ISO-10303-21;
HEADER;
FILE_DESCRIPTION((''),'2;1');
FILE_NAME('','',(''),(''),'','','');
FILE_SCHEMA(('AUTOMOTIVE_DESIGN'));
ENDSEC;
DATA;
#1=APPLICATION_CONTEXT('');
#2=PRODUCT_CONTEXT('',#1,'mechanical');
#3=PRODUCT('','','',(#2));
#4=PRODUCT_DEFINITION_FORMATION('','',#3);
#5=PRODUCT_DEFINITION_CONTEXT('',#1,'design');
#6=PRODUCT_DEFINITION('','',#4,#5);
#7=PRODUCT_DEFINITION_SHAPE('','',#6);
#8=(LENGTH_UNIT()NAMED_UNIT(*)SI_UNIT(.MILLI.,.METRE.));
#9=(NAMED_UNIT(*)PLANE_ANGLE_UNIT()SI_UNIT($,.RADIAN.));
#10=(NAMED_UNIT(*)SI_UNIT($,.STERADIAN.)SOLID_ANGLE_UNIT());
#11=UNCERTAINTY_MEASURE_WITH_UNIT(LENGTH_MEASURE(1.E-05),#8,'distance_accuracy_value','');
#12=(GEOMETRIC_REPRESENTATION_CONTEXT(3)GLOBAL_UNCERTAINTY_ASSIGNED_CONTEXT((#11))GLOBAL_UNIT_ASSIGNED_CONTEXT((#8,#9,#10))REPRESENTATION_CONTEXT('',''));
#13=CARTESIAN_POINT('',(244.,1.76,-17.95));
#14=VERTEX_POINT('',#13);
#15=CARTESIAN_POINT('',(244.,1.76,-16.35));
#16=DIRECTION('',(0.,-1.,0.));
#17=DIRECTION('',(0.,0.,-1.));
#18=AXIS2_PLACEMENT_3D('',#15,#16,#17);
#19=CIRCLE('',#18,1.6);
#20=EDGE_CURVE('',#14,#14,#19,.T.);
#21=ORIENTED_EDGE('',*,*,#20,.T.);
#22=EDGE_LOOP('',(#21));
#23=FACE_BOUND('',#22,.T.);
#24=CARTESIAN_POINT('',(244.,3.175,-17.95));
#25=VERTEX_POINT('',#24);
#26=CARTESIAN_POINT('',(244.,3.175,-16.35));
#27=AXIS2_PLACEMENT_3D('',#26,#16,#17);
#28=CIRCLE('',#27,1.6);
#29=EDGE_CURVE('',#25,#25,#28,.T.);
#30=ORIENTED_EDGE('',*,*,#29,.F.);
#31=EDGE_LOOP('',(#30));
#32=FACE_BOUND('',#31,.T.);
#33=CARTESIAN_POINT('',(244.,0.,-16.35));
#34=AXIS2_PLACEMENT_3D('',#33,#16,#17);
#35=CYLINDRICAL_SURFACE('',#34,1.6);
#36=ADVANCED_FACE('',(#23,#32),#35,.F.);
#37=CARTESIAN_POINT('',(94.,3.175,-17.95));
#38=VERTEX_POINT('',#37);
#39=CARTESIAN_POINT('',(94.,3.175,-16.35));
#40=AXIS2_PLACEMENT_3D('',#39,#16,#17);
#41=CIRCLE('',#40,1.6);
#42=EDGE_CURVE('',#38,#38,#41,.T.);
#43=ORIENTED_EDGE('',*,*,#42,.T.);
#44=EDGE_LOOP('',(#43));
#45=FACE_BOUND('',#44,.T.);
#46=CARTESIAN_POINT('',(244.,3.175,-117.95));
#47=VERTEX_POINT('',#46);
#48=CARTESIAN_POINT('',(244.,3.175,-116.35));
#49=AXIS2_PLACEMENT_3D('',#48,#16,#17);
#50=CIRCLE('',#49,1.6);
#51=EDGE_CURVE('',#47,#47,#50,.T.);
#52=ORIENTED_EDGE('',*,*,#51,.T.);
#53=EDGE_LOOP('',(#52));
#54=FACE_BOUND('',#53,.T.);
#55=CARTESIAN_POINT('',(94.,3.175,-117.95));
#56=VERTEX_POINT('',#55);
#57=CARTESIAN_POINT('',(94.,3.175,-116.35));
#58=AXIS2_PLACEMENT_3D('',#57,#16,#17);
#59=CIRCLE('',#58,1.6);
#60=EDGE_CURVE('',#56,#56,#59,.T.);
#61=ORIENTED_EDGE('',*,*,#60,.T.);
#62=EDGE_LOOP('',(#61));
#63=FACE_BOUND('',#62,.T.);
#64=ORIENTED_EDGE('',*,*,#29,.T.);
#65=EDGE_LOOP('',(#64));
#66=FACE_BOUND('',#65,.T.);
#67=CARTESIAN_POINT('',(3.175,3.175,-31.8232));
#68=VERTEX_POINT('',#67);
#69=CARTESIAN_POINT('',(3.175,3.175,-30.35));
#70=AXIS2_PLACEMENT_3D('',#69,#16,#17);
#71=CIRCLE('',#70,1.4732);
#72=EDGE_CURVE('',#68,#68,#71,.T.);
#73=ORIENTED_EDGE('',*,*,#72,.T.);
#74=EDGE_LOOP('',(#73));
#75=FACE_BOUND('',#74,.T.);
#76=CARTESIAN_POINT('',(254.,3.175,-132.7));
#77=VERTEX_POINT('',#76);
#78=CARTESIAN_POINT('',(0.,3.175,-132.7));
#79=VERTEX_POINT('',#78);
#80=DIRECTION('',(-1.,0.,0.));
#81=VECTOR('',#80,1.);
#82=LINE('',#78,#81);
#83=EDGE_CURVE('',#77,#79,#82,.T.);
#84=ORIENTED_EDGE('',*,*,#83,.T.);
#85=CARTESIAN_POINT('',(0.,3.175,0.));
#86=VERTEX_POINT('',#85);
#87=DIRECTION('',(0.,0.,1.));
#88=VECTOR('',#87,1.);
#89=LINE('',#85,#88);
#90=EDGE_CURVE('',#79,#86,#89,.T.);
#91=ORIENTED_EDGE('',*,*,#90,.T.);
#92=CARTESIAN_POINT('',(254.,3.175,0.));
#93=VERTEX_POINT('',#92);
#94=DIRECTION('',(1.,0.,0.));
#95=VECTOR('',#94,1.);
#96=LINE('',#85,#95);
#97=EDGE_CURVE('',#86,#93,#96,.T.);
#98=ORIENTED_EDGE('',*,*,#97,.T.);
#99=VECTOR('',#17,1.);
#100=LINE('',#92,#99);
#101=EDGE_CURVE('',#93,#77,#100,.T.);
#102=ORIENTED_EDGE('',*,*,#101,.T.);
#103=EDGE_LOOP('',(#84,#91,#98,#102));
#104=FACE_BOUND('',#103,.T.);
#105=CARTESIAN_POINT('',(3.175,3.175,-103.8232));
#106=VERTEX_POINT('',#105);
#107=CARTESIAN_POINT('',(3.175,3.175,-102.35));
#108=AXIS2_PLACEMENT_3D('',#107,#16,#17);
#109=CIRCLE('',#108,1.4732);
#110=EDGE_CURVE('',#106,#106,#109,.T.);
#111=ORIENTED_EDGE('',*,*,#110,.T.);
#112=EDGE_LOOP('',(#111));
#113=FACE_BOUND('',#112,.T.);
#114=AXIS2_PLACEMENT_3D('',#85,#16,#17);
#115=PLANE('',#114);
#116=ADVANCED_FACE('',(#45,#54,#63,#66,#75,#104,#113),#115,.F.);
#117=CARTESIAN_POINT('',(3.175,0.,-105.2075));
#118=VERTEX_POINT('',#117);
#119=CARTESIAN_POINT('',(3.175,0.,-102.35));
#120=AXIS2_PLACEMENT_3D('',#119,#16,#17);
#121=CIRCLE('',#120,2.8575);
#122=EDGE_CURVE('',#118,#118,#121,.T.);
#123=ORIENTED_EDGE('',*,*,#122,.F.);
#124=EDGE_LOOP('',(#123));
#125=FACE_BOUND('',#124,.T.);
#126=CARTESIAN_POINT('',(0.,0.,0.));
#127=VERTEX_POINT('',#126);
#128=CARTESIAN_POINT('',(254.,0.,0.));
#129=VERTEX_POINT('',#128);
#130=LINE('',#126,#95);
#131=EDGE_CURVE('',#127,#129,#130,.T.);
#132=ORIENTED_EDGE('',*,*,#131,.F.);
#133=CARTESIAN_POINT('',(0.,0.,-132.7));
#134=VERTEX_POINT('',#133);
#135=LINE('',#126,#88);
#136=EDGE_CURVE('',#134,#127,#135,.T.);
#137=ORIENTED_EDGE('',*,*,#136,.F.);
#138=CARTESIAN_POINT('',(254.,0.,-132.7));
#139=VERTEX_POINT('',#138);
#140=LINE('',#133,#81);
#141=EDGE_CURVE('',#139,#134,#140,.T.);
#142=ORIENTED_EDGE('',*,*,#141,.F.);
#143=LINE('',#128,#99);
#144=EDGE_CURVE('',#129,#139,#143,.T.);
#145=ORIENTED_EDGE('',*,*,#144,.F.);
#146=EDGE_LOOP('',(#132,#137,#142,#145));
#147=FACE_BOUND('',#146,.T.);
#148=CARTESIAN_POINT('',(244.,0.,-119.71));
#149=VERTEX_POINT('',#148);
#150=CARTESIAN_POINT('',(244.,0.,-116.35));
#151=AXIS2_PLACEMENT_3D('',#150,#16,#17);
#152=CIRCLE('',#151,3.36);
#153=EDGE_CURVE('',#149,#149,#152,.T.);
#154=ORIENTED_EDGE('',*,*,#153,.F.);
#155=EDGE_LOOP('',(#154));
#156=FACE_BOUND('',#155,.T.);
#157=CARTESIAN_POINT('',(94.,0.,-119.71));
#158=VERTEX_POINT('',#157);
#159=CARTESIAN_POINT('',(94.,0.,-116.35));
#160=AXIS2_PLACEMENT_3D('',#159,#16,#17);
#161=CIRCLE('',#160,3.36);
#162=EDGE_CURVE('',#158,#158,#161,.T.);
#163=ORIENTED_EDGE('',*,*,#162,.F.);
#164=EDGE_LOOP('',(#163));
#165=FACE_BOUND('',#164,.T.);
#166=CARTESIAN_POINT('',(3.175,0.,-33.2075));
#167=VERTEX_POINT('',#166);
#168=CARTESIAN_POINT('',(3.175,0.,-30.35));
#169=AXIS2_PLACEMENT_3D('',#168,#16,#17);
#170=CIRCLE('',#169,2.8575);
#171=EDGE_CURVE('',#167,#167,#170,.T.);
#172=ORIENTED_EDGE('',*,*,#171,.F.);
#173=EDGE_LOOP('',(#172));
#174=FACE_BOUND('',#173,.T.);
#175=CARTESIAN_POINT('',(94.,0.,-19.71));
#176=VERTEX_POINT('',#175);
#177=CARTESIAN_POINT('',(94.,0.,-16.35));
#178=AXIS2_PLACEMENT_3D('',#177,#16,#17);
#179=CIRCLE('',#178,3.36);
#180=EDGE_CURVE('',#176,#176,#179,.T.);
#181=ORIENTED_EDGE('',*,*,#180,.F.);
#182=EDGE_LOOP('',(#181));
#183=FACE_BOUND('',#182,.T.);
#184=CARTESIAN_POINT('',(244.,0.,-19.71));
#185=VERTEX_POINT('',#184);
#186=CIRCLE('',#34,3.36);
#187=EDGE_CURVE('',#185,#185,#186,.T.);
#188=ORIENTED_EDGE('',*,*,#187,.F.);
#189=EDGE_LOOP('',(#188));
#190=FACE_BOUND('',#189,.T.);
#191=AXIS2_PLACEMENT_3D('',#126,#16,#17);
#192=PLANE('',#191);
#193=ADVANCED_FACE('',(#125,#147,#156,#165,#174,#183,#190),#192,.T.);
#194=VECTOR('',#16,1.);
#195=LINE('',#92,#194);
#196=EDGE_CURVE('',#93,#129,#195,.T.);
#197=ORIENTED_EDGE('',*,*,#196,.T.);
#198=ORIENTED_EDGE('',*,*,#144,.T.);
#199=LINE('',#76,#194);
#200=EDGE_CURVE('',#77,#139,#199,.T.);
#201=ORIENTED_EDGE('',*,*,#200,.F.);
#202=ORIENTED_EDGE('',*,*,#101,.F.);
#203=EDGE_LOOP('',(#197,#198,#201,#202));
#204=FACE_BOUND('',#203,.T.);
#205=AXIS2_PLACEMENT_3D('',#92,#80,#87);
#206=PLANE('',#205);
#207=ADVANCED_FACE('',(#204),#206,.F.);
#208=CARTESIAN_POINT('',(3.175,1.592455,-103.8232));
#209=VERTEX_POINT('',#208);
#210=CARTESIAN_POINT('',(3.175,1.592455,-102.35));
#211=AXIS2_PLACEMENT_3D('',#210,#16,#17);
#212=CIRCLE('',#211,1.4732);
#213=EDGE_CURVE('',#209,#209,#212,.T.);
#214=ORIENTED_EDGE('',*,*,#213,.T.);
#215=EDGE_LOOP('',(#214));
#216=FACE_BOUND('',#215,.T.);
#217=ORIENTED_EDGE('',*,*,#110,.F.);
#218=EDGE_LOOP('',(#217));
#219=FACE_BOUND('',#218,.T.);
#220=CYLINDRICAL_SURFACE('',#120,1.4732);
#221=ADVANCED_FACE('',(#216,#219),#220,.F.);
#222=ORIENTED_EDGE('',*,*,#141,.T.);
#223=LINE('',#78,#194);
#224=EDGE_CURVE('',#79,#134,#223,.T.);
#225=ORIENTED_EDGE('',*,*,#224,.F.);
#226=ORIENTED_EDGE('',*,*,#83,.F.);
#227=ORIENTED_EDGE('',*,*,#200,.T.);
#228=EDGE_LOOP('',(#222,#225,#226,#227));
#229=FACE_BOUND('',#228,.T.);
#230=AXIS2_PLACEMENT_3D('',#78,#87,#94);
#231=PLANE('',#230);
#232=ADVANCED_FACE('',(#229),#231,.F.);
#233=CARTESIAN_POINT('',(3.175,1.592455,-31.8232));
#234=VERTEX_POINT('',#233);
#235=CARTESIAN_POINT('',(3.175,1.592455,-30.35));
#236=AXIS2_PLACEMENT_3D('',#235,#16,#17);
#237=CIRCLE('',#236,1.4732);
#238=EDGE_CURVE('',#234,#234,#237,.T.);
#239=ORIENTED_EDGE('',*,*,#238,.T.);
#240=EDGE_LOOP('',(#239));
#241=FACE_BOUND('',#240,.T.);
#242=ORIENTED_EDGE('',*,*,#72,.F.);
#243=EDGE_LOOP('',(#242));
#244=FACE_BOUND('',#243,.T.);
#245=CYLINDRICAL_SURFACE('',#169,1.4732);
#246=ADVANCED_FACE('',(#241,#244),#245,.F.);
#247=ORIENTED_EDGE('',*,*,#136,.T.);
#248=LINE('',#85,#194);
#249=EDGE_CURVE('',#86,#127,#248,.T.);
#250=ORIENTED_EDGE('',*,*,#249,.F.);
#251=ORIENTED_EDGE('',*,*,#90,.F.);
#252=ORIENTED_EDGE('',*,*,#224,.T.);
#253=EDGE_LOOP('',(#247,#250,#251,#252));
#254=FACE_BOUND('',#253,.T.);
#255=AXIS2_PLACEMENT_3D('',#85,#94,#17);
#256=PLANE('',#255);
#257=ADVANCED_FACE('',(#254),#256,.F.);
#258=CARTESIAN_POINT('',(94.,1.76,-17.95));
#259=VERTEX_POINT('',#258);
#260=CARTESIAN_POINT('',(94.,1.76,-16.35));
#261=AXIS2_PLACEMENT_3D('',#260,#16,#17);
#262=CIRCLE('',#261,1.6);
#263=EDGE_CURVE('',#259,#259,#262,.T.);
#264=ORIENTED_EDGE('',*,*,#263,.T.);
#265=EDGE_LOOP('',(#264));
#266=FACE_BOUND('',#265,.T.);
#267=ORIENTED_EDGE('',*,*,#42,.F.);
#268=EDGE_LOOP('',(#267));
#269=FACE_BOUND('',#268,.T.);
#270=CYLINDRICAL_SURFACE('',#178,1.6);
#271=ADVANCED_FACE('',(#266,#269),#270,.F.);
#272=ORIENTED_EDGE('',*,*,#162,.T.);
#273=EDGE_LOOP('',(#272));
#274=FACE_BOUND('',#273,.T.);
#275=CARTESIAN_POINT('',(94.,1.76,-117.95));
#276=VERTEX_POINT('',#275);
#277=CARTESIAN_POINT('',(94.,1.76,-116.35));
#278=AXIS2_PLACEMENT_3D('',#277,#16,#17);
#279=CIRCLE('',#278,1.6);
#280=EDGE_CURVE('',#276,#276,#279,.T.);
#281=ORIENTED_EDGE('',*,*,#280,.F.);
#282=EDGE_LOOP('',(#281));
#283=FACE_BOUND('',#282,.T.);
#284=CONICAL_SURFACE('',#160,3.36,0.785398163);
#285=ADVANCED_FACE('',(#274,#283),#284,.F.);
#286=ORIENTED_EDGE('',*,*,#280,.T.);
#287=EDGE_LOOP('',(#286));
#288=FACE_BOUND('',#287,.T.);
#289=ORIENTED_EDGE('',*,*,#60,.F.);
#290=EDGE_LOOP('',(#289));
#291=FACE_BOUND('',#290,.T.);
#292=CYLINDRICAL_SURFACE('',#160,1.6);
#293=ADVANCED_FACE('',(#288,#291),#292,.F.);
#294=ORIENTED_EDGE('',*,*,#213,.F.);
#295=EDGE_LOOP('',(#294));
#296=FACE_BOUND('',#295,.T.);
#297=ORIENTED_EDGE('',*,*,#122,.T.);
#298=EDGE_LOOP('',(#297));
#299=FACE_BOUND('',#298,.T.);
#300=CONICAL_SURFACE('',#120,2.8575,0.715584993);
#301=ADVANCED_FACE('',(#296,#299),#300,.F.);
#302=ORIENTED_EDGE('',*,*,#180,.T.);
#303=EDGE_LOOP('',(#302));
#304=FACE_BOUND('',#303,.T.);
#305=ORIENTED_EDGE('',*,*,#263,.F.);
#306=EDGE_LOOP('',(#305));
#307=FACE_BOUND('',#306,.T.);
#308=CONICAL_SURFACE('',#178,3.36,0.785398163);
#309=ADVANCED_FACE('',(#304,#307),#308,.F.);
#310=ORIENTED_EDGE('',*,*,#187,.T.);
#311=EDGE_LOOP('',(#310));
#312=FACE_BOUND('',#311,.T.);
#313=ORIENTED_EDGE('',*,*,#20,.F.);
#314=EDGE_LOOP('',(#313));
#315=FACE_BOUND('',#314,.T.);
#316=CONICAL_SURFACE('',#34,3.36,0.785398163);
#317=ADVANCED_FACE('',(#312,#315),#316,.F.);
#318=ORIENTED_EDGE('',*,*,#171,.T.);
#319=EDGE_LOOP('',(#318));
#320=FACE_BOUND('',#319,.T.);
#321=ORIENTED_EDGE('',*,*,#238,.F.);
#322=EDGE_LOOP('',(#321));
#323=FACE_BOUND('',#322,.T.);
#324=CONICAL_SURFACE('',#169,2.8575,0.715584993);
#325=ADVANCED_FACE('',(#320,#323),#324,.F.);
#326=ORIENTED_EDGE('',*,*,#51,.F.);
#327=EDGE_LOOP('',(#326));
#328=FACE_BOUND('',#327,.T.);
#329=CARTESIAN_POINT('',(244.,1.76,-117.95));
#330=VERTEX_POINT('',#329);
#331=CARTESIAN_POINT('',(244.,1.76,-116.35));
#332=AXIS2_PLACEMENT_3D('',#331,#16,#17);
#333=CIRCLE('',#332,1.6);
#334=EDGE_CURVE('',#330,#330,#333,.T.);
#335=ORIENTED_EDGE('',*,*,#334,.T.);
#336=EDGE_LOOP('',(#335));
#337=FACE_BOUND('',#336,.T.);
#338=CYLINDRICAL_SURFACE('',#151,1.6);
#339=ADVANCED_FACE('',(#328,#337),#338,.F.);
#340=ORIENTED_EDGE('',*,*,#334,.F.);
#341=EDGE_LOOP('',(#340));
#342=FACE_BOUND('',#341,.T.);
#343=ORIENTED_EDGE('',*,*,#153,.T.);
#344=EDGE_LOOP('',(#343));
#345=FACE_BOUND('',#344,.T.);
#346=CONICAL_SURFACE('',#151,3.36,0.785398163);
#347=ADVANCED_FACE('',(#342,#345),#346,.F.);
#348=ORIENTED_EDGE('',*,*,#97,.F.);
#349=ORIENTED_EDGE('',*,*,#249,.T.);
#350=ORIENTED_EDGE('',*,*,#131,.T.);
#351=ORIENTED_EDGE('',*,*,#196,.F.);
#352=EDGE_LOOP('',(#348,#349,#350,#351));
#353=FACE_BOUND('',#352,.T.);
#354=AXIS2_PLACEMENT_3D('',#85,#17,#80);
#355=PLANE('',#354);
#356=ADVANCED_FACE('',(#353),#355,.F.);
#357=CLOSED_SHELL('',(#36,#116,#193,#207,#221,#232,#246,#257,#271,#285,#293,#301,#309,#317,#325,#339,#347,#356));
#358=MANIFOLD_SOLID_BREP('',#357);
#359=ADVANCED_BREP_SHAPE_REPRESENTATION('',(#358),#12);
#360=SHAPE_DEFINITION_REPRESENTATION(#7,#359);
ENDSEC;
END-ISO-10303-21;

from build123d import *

# Parameters (mm, degrees)
SKETCH1_W                                      = 254
SKETCH1_H                                      = 132.70000003
BOSS_EXTRUDE1_DEPTH                            = 3.175
CSK_FOR_M3_SFHCS1_D                            = 3.2
CSK_FOR_M3_SFHCS1_DEPTH                        = 10.9728
CSK_FOR_M3_SFHCS1_CSINK_D                      = 6.72
CSK_FOR_M3_SFHCS1_CSINK_ANGLE                  = 90
CSK_FOR_M3_SFHCS1_TIP                          = 0.96137699
CSK_FOR_4_FLAT_HEAD_MACHINE_SCREW1_D           = 2.9464
CSK_FOR_4_FLAT_HEAD_MACHINE_SCREW1_DEPTH       = 10.9728
CSK_FOR_4_FLAT_HEAD_MACHINE_SCREW1_CSINK_D     = 5.715
CSK_FOR_4_FLAT_HEAD_MACHINE_SCREW1_CSINK_ANGLE = 82
CSK_FOR_4_FLAT_HEAD_MACHINE_SCREW1_TIP         = 0.885187864


with BuildPart() as part:
    # Sketch1 → Boss-Extrude1 (new body)
    with BuildSketch(Plane(origin=(0, 0, 0), x_dir=(1, 0, 0), z_dir=(0, 1, 0))):
        with Locations((127, 66.350000015)):
            Rectangle(SKETCH1_W, SKETCH1_H)
    extrude(amount=BOSS_EXTRUDE1_DEPTH)

    # CSK for M3 SFHCS1
    with Locations(Plane(origin=(0, 0, 0), x_dir=(-1, 0, 0), z_dir=(0, -1, 0))):
        with Locations((-244, 116.350000015), (-94, 116.350000015), (-94, 16.350000015), (-244, 16.350000015)):
            CounterSinkHole(CSK_FOR_M3_SFHCS1_D / 2, CSK_FOR_M3_SFHCS1_CSINK_D / 2, depth=CSK_FOR_M3_SFHCS1_DEPTH, counter_sink_angle=CSK_FOR_M3_SFHCS1_CSINK_ANGLE)
            with Locations((0, 0, -(CSK_FOR_M3_SFHCS1_DEPTH + CSK_FOR_M3_SFHCS1_TIP / 2))):  # 118° drill point
                Cone(0, CSK_FOR_M3_SFHCS1_D / 2, CSK_FOR_M3_SFHCS1_TIP, mode=Mode.SUBTRACT)

    # CSK for #4 Flat Head Machine Screw1
    with Locations(Plane(origin=(0, 0, 0), x_dir=(-1, 0, 0), z_dir=(0, -1, 0))):
        with Locations((-3.175, 102.350000024), (-3.175, 30.350000006)):
            CounterSinkHole(CSK_FOR_4_FLAT_HEAD_MACHINE_SCREW1_D / 2, CSK_FOR_4_FLAT_HEAD_MACHINE_SCREW1_CSINK_D / 2, depth=CSK_FOR_4_FLAT_HEAD_MACHINE_SCREW1_DEPTH, counter_sink_angle=CSK_FOR_4_FLAT_HEAD_MACHINE_SCREW1_CSINK_ANGLE)
            with Locations((0, 0, -(CSK_FOR_4_FLAT_HEAD_MACHINE_SCREW1_DEPTH + CSK_FOR_4_FLAT_HEAD_MACHINE_SCREW1_TIP / 2))):  # 118° drill point
                Cone(0, CSK_FOR_4_FLAT_HEAD_MACHINE_SCREW1_D / 2, CSK_FOR_4_FLAT_HEAD_MACHINE_SCREW1_TIP, mode=Mode.SUBTRACT)


solid = part.part
